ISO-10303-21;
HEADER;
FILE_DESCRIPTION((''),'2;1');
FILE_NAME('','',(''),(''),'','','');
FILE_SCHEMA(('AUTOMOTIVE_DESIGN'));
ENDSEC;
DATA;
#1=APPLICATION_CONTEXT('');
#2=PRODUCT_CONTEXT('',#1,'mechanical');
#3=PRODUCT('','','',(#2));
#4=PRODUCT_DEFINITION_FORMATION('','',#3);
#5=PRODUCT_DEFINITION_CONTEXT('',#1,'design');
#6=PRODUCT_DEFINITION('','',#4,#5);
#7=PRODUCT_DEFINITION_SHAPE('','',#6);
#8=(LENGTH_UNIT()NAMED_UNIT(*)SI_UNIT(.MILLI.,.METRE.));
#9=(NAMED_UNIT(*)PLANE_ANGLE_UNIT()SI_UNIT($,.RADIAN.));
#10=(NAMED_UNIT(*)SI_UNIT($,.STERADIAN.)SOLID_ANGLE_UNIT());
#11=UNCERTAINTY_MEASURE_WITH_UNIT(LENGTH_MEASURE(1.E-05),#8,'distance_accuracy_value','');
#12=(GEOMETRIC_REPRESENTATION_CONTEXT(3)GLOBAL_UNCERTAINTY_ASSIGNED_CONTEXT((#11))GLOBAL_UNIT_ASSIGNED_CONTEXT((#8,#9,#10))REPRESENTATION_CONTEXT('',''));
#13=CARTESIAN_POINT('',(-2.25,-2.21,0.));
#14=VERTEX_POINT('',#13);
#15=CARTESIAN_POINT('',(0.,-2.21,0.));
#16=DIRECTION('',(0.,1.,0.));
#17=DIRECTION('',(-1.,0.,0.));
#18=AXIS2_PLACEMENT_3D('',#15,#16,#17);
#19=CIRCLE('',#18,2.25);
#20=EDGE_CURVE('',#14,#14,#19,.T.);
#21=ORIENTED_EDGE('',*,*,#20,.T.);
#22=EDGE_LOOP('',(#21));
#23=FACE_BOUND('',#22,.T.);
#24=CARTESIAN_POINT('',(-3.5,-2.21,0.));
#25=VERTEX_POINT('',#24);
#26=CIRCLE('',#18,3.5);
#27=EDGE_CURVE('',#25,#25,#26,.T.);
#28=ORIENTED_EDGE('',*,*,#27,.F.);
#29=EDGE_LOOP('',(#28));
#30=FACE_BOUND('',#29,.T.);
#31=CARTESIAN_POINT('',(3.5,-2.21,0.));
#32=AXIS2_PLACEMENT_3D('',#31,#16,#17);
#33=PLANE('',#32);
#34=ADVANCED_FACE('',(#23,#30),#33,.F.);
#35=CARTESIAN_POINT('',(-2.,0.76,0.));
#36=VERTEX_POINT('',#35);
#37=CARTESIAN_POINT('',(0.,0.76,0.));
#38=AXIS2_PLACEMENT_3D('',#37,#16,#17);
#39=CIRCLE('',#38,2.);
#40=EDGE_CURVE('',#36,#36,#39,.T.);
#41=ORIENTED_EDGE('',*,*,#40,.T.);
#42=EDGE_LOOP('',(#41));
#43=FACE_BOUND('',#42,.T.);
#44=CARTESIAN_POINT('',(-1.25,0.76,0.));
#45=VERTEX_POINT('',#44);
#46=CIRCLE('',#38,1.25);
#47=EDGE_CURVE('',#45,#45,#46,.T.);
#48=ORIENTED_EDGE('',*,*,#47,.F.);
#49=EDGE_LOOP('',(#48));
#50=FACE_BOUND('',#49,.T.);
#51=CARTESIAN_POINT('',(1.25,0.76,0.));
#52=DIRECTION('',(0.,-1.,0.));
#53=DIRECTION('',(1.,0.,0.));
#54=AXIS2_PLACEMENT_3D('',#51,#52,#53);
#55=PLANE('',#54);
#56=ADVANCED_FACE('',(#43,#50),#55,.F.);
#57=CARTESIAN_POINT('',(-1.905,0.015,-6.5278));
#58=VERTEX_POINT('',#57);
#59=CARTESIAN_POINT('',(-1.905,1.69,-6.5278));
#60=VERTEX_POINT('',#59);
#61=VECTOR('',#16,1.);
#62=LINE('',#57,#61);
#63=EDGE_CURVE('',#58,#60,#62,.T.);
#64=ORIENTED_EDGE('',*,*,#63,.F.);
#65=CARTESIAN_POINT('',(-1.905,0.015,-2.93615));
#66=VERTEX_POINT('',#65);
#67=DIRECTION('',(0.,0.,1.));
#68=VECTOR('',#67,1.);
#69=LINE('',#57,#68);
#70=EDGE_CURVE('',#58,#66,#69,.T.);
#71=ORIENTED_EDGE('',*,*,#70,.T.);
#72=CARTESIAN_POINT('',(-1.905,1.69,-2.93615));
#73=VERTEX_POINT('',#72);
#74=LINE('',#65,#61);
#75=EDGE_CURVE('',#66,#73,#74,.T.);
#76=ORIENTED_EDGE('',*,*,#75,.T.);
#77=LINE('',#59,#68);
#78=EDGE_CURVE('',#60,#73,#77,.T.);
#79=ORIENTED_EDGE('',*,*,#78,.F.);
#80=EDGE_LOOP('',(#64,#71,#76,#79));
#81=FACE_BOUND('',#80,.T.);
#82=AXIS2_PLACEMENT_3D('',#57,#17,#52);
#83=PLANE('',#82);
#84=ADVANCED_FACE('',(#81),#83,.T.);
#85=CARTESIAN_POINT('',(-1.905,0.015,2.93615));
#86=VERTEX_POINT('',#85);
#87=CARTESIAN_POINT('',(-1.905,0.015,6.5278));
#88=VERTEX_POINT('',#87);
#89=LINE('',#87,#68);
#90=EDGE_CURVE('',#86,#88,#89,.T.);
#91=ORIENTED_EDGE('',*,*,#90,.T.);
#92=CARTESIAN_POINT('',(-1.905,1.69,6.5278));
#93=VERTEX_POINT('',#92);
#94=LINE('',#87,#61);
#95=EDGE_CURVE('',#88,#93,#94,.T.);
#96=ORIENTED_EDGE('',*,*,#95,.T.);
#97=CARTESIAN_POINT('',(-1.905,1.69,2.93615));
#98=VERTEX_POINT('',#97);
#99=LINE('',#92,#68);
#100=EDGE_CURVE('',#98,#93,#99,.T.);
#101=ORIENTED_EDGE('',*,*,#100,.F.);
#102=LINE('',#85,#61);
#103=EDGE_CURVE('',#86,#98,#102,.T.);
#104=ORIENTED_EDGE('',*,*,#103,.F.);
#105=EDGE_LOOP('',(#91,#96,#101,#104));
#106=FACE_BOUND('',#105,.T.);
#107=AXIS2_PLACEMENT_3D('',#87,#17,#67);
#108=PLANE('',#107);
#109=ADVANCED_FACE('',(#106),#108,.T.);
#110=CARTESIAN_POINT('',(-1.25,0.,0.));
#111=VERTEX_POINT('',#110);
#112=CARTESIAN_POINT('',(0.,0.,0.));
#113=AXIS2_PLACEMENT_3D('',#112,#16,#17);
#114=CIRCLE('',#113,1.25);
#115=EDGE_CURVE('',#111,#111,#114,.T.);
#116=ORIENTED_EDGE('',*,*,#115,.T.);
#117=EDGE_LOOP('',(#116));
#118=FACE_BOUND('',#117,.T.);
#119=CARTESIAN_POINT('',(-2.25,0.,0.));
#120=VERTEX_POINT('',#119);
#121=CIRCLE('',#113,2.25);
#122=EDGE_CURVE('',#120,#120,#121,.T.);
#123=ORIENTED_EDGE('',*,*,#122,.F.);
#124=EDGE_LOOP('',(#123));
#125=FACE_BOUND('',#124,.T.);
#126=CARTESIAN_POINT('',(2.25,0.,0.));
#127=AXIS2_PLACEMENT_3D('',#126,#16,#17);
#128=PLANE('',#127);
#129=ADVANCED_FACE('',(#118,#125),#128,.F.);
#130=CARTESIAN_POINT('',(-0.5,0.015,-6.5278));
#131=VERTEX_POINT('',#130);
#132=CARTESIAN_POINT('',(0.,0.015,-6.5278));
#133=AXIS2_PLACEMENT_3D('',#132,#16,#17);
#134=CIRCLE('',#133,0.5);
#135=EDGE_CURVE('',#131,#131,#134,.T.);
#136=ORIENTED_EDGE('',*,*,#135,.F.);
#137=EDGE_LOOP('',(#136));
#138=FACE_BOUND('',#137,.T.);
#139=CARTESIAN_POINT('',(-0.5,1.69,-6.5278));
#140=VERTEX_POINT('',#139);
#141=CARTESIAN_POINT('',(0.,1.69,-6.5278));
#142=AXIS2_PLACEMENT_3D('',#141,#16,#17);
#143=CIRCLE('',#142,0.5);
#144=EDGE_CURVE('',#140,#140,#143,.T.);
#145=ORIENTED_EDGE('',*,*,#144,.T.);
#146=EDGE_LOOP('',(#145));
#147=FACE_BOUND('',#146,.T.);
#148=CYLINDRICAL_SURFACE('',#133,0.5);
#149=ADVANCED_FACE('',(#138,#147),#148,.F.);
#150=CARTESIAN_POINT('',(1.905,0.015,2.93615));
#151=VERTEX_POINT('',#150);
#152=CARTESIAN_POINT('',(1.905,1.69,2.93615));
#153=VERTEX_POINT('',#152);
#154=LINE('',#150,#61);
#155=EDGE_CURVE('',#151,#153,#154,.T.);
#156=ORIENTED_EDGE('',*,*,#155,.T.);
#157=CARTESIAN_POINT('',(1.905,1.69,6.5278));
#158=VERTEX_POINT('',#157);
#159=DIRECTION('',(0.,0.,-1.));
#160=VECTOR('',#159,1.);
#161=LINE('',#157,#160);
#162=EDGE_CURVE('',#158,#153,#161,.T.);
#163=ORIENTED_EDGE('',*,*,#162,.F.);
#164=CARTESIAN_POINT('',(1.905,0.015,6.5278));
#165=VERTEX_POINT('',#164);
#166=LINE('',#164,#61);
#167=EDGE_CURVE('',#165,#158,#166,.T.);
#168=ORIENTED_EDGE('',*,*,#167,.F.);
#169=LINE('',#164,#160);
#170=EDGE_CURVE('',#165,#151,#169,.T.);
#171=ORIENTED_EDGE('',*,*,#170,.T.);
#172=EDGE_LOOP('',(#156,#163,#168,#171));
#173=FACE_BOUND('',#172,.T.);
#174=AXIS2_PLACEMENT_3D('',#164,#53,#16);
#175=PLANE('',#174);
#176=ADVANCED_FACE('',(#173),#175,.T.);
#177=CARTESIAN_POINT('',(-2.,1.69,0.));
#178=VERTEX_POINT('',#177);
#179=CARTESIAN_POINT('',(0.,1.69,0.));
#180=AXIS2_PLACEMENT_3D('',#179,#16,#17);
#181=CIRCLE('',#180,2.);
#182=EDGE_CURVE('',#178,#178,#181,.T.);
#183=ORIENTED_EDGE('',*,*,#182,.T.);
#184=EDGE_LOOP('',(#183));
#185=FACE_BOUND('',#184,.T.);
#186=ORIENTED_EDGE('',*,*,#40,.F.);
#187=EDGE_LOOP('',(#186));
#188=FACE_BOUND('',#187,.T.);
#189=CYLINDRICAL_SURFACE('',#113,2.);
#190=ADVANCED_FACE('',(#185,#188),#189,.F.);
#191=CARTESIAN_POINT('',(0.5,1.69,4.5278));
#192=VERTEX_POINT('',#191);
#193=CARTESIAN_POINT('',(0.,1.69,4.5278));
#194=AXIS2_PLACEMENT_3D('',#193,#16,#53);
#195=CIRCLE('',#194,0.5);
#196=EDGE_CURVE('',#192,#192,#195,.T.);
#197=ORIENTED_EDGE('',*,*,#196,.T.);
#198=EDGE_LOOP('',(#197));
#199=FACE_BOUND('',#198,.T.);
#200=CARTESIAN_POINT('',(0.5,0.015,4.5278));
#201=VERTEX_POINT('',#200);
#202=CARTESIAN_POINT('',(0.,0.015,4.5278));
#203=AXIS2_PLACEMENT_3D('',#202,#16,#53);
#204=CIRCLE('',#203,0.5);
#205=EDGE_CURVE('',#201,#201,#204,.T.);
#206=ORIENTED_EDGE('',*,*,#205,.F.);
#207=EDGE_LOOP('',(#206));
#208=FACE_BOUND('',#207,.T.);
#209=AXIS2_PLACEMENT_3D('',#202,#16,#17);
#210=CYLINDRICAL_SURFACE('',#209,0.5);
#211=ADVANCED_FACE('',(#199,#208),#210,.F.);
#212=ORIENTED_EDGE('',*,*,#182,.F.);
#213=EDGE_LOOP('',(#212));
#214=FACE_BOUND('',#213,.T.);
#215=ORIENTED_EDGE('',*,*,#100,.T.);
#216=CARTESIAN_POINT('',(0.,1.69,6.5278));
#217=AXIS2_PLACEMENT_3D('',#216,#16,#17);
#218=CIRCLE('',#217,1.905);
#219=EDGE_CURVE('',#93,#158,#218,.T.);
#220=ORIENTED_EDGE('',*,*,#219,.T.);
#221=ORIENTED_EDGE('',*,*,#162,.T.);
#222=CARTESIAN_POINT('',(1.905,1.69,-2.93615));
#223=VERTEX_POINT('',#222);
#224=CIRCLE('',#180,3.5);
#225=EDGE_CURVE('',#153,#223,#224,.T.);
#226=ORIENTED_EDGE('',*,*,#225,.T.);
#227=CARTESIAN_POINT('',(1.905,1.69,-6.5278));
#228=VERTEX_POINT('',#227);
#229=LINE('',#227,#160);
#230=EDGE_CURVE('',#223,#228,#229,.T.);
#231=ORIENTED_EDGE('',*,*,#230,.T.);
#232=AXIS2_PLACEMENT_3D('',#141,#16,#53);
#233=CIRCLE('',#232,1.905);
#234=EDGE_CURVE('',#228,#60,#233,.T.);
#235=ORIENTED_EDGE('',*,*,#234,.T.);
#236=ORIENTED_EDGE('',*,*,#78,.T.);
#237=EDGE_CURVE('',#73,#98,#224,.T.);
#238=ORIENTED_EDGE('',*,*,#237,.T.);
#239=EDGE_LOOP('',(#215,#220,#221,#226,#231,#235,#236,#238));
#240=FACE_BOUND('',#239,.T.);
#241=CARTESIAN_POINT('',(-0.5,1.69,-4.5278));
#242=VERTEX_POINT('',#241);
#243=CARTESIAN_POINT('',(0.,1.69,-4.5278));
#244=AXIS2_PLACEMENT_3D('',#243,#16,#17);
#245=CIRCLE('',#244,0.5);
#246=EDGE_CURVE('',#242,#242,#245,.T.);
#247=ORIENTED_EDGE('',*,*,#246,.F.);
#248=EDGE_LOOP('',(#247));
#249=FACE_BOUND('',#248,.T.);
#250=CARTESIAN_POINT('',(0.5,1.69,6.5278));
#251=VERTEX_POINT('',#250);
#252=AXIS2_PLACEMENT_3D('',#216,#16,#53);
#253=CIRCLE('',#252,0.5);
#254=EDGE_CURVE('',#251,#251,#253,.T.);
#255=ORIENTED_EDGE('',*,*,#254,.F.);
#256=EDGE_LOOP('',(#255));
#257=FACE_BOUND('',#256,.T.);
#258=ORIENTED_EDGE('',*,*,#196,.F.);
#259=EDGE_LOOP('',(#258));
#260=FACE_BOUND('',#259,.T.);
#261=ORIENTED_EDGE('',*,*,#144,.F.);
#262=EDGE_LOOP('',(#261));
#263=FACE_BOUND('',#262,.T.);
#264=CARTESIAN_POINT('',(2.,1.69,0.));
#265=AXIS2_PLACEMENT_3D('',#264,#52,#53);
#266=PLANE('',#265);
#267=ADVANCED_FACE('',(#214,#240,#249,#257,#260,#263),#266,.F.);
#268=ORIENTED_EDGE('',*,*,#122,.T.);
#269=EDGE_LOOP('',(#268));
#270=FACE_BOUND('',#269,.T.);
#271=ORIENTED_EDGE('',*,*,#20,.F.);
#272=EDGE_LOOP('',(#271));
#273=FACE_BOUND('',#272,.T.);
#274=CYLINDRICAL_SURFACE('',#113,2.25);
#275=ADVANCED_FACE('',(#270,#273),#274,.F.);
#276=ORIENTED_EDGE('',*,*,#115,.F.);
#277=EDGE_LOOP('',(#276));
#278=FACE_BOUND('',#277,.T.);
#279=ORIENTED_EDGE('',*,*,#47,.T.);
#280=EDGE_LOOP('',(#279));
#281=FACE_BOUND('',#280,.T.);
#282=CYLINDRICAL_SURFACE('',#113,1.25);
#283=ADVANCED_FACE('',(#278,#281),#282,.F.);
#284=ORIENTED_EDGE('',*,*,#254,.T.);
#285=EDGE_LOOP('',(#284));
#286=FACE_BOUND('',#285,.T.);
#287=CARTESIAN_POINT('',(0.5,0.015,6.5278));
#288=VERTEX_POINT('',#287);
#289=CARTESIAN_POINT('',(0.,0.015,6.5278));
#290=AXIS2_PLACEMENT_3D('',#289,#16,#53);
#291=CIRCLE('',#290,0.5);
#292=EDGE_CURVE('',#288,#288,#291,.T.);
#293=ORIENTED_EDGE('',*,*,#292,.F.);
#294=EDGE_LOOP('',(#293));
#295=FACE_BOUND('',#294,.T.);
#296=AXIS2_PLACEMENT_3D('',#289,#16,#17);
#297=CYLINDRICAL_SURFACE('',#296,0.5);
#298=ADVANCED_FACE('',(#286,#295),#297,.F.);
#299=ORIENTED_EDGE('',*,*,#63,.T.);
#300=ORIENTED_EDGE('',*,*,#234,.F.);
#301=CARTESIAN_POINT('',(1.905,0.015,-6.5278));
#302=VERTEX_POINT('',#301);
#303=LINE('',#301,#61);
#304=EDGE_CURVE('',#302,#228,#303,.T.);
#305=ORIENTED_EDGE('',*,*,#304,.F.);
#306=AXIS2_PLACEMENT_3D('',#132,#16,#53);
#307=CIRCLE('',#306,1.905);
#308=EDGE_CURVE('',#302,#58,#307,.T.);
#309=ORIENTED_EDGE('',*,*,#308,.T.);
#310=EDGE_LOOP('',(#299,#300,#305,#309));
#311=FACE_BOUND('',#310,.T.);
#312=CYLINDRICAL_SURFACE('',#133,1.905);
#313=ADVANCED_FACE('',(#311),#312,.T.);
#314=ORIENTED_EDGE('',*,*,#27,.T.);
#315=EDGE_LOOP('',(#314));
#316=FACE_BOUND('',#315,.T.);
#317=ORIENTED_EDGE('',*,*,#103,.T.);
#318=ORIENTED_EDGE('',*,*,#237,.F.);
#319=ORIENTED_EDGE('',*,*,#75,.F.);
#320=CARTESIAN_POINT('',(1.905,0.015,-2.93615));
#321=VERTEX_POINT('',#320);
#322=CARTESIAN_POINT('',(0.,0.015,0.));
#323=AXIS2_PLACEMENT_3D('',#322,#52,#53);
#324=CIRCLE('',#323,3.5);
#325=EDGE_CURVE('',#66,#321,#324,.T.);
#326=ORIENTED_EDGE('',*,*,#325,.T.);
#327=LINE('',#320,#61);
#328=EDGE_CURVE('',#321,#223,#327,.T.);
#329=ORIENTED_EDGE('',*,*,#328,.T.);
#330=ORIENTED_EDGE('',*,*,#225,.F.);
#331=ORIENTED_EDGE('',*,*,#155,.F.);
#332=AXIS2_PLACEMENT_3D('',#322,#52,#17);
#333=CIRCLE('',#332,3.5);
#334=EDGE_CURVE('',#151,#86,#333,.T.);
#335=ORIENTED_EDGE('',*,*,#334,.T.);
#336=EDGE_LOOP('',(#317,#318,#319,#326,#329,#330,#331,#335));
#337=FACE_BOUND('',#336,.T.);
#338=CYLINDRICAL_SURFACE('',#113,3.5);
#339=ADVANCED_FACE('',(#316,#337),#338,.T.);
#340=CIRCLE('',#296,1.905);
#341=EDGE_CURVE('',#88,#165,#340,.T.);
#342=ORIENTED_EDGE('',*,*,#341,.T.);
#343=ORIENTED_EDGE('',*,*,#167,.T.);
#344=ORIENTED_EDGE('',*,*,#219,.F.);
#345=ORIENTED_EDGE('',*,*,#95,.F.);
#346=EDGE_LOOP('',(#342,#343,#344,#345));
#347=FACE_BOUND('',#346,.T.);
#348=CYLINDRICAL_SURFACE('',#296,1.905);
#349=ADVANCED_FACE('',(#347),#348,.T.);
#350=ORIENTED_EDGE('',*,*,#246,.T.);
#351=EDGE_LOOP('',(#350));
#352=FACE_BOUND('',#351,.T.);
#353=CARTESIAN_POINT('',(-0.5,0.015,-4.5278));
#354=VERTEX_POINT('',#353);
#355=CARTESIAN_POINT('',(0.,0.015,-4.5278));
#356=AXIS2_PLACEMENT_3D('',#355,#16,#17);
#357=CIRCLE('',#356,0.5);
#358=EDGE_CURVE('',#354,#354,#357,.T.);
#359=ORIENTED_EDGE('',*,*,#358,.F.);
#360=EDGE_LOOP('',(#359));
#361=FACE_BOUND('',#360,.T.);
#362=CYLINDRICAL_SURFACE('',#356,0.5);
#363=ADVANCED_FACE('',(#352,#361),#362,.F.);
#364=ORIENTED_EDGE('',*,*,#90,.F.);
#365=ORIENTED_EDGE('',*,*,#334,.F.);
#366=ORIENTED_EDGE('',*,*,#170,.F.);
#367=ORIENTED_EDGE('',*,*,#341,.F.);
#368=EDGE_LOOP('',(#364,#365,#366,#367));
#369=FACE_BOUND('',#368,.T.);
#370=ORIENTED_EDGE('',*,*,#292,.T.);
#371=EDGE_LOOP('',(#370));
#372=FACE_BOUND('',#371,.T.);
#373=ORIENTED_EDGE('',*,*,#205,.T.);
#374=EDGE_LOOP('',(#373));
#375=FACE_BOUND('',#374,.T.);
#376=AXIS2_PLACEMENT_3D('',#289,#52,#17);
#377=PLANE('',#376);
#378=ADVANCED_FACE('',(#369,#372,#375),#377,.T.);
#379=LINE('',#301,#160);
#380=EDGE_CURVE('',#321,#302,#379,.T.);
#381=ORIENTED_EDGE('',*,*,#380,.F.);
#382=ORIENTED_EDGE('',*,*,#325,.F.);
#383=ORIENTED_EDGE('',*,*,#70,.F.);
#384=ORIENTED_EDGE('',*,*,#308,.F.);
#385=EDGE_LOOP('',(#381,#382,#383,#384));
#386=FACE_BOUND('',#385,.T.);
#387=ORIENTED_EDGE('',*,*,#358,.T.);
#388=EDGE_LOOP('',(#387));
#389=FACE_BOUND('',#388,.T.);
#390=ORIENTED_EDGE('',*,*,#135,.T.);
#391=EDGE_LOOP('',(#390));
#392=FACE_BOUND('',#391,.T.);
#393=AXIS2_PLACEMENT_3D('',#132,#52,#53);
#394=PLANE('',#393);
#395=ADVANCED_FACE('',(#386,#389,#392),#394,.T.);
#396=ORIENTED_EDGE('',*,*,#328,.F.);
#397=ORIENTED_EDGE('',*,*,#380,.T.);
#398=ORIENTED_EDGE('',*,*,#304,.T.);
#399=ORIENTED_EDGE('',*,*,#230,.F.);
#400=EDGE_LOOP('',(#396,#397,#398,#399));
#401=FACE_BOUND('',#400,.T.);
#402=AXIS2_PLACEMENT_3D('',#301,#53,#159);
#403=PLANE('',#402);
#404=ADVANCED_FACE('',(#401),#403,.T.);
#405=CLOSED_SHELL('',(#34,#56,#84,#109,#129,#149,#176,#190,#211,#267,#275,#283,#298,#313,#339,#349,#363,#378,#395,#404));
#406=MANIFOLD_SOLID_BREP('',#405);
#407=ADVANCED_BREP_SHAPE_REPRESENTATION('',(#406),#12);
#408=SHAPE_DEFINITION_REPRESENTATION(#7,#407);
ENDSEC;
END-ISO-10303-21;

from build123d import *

# Parameters (mm, degrees)
BOSS_EXTRUDE1_START = -1.675
SKETCH2_R           = 0.5
BOSS_EXTRUDE1_DEPTH = 1.675
CIRPATTERN1_COUNT   = 2


with BuildPart() as part:
    # Sketch1 → Revolve1 (revolve)
    with BuildSketch(Plane.XY, mode=Mode.PRIVATE) as revolve1_sk:
        Polygon((2.25, 0), (1.25, 0), (1.25, 0.76), (2, 0.76), (2, 1.69), (3.5, 1.69), (3.5, -2.21), (2.25, -2.21), align=None)
    revolve(revolve1_sk.sketch.rotate(Axis((0, 0, 0), (0, -1, 0)), 180), axis=Axis((0, 0, 0), (0, -1, 0)))

    # Sketch2 → Boss-Extrude1 (add)
    with BuildSketch(Plane(origin=(0, 1.69, 0), x_dir=(1, 0, 0), z_dir=(0, 1, 0)).offset(BOSS_EXTRUDE1_START)):
        with BuildLine():
            Line((-1.905, 6.5278), (-1.905, 2.93614969))
            ThreePointArc((-1.905, 2.93614969), (0, 3.5), (1.905, 2.93614969))
            Line((1.905, 2.93614969), (1.905, 6.5278))
            ThreePointArc((1.905, 6.5278), (0, 8.4328), (-1.905, 6.5278))
        make_face()
        with Locations(Location((0, 6.5278, 0), (0, 0, 180))):
            Circle(SKETCH2_R, mode=Mode.SUBTRACT)
        with Locations(Location((0, 4.5278, 0), (0, 0, 180))):
            Circle(SKETCH2_R, mode=Mode.SUBTRACT)
    boss_extrude1 = extrude(amount=BOSS_EXTRUDE1_DEPTH)

    # CirPattern1: Boss-Extrude1 ×2 about axis
    cirpattern1_axis = Axis((0, 0, 0), (0, 1, 0))
    for i in range(1, CIRPATTERN1_COUNT):
        add(boss_extrude1.rotate(cirpattern1_axis, i * 360 / CIRPATTERN1_COUNT))


solid = part.part
